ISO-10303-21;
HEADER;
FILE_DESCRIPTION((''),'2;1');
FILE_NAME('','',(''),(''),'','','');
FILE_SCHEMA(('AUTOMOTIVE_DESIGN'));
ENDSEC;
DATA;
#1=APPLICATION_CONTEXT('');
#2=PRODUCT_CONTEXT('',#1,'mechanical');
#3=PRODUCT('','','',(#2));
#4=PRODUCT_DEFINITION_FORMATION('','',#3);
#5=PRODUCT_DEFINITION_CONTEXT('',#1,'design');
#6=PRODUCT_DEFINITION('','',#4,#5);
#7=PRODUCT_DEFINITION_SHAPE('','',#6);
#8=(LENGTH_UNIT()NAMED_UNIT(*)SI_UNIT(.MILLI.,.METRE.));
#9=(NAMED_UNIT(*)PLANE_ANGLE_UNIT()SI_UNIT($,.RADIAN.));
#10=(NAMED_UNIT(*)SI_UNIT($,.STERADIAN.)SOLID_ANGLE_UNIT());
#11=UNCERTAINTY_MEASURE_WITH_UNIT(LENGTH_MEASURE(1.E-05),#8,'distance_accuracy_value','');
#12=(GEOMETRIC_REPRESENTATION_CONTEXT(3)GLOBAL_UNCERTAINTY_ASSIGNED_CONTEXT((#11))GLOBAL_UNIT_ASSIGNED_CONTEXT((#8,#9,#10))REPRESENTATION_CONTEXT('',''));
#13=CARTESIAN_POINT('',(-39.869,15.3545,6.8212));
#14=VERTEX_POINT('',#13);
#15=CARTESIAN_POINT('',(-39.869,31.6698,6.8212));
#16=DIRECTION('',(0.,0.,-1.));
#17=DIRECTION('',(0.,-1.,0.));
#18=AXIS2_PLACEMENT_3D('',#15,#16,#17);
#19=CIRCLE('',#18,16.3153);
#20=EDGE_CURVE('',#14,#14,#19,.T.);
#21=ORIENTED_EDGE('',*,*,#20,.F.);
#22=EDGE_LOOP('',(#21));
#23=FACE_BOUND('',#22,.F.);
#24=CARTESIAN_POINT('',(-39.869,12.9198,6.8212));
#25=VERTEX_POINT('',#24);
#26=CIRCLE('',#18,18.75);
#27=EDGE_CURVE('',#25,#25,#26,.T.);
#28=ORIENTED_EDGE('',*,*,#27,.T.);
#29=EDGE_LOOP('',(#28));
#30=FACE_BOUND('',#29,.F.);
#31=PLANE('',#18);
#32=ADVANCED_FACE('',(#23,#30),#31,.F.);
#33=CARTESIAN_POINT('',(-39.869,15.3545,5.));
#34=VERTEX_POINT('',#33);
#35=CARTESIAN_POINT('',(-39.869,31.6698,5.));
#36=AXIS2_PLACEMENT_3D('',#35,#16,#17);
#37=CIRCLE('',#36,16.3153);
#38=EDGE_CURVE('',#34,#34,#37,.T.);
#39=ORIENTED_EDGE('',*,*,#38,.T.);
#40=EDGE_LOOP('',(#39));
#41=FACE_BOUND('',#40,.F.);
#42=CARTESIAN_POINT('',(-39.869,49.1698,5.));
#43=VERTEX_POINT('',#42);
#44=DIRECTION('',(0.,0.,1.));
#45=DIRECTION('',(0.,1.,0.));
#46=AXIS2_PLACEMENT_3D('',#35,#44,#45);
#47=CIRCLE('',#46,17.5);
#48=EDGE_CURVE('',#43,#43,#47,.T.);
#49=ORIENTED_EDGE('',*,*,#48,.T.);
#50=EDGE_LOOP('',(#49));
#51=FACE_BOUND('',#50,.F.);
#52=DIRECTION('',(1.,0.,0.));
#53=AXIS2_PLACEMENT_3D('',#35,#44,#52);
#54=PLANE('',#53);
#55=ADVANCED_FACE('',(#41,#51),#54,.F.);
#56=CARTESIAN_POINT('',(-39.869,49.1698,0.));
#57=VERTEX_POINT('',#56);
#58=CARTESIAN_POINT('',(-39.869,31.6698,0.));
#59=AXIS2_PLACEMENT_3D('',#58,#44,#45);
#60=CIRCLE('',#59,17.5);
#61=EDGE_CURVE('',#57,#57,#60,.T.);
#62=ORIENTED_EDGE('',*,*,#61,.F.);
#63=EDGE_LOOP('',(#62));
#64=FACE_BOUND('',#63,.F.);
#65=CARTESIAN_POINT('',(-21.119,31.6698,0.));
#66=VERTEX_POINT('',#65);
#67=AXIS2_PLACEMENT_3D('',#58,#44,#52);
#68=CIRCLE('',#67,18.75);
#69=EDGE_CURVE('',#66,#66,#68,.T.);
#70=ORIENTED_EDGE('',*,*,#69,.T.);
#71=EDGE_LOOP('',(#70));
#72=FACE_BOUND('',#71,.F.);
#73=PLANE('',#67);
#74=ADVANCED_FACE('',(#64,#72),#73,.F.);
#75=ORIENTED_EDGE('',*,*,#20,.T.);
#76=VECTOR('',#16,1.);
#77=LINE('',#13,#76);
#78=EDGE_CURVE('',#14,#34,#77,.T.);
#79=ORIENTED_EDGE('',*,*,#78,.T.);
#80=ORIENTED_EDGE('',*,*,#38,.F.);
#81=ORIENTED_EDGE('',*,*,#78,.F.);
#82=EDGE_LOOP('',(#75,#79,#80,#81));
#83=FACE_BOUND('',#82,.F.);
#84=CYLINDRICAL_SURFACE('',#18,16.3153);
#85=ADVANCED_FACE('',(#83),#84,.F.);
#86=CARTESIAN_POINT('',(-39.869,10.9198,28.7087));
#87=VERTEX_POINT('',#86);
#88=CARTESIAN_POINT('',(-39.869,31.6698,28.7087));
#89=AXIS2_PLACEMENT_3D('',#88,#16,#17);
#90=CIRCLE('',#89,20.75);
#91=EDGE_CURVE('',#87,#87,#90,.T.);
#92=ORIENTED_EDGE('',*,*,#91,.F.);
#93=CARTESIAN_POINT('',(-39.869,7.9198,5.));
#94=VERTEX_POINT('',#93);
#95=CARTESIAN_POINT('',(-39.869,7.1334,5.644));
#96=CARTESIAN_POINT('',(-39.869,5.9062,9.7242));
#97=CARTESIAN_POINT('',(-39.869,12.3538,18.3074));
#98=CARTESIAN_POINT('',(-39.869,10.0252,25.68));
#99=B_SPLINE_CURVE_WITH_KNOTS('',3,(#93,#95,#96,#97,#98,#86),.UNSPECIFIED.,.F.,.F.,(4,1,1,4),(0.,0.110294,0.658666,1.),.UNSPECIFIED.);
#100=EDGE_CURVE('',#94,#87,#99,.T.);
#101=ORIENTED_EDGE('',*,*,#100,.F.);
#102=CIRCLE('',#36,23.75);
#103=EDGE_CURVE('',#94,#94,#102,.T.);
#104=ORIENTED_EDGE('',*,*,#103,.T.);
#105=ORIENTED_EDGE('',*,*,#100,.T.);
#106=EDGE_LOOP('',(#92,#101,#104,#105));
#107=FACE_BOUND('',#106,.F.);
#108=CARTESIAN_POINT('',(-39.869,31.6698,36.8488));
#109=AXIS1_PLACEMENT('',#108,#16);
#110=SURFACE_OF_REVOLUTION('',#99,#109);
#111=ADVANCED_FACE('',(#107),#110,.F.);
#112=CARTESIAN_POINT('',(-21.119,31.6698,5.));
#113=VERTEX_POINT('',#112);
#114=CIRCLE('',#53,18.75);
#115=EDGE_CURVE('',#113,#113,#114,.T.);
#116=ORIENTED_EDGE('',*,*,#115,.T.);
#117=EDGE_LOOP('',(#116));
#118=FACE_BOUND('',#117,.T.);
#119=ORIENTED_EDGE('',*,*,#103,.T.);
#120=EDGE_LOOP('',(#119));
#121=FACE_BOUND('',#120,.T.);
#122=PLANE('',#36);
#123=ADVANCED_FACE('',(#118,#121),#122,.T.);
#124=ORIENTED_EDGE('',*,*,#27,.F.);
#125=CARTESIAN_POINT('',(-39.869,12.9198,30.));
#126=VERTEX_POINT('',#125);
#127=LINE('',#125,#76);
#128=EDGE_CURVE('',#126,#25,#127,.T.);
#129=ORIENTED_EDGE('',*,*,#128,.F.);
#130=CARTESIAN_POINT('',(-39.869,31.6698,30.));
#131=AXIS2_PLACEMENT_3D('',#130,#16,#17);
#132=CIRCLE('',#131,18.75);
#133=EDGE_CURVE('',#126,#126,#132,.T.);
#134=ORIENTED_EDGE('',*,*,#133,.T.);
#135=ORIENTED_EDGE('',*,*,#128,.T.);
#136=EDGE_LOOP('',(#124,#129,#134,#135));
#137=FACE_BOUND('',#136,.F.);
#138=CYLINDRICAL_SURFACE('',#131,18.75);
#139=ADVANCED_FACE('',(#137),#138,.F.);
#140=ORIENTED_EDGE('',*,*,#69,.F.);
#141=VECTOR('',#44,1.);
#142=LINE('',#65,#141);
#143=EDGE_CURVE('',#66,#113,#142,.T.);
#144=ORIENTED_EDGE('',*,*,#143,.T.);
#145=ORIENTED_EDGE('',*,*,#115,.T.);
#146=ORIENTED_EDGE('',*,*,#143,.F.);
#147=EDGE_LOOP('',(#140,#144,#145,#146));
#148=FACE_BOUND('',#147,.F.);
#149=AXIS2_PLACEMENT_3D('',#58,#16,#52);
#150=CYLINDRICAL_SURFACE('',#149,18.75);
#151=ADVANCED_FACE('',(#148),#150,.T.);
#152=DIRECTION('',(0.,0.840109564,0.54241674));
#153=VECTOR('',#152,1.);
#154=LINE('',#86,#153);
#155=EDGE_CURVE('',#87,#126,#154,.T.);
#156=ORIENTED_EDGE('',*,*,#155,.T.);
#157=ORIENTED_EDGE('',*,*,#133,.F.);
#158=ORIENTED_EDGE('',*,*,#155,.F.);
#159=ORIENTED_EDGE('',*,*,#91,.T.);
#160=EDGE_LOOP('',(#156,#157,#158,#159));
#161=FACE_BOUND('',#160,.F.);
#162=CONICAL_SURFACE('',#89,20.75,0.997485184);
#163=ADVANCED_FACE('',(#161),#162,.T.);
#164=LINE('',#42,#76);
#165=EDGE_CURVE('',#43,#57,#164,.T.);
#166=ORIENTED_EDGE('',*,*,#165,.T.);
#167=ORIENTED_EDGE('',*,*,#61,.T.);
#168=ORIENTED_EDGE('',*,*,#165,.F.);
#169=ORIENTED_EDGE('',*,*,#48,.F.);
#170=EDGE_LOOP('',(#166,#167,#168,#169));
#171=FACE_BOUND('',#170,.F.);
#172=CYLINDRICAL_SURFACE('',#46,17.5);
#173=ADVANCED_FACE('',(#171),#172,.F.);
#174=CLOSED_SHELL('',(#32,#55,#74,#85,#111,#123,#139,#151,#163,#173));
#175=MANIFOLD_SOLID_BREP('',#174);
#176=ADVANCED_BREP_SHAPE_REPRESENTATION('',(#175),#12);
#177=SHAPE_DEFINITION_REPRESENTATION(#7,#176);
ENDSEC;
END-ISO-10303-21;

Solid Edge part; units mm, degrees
sketch "Sketch1" plane through (0, 0, 0) normal (0, 0, 1) x (1, 0, 0)
  circle A0 centre (-39.869, 31.6698) radius 18.75
extrude "Protrusion1" add sketch "Sketch1" along normal blind 5
sketch "Sketch2" plane through (-39.869, 0, 0) normal (1, 0, 0) x (0, 1, 0)
  line L0 (7.9198, 5) -> (15.3545, 5)
  line L1 (15.3545, 6.8212) -> (15.3545, 5)
  line L2 (12.9198, 6.8212) -> (15.3545, 6.8212)
  line L3 (12.9198, 30) -> (12.9198, 6.8212)
  line L4 (10.9198, 28.7087) -> (12.9198, 30)
  spline S0 degree 3 poles (7.9198, 5) (7.1334, 5.644) (5.9062, 9.7242) (12.3538, 18.3074) (10.0252, 25.68) (10.9198, 28.7087) knots 0 0 0 0 0.110294 0.658666 1 1 1 1
revolve "RevolvedProtrusion1" add sketch "Sketch2" angle 360 about axis through (-39.869, 31.6698, 36.8488) along (0, 0, -1)
sketch "Sketch3" plane through (-39.869, 31.6698, 5) normal (0, 0, 1) x (0, 1, 0)
  circle A0 centre (0, 0) radius 17.5
extrude "ExtrudedCutout_2" cut sketch "Sketch3" against normal blind 136.525
